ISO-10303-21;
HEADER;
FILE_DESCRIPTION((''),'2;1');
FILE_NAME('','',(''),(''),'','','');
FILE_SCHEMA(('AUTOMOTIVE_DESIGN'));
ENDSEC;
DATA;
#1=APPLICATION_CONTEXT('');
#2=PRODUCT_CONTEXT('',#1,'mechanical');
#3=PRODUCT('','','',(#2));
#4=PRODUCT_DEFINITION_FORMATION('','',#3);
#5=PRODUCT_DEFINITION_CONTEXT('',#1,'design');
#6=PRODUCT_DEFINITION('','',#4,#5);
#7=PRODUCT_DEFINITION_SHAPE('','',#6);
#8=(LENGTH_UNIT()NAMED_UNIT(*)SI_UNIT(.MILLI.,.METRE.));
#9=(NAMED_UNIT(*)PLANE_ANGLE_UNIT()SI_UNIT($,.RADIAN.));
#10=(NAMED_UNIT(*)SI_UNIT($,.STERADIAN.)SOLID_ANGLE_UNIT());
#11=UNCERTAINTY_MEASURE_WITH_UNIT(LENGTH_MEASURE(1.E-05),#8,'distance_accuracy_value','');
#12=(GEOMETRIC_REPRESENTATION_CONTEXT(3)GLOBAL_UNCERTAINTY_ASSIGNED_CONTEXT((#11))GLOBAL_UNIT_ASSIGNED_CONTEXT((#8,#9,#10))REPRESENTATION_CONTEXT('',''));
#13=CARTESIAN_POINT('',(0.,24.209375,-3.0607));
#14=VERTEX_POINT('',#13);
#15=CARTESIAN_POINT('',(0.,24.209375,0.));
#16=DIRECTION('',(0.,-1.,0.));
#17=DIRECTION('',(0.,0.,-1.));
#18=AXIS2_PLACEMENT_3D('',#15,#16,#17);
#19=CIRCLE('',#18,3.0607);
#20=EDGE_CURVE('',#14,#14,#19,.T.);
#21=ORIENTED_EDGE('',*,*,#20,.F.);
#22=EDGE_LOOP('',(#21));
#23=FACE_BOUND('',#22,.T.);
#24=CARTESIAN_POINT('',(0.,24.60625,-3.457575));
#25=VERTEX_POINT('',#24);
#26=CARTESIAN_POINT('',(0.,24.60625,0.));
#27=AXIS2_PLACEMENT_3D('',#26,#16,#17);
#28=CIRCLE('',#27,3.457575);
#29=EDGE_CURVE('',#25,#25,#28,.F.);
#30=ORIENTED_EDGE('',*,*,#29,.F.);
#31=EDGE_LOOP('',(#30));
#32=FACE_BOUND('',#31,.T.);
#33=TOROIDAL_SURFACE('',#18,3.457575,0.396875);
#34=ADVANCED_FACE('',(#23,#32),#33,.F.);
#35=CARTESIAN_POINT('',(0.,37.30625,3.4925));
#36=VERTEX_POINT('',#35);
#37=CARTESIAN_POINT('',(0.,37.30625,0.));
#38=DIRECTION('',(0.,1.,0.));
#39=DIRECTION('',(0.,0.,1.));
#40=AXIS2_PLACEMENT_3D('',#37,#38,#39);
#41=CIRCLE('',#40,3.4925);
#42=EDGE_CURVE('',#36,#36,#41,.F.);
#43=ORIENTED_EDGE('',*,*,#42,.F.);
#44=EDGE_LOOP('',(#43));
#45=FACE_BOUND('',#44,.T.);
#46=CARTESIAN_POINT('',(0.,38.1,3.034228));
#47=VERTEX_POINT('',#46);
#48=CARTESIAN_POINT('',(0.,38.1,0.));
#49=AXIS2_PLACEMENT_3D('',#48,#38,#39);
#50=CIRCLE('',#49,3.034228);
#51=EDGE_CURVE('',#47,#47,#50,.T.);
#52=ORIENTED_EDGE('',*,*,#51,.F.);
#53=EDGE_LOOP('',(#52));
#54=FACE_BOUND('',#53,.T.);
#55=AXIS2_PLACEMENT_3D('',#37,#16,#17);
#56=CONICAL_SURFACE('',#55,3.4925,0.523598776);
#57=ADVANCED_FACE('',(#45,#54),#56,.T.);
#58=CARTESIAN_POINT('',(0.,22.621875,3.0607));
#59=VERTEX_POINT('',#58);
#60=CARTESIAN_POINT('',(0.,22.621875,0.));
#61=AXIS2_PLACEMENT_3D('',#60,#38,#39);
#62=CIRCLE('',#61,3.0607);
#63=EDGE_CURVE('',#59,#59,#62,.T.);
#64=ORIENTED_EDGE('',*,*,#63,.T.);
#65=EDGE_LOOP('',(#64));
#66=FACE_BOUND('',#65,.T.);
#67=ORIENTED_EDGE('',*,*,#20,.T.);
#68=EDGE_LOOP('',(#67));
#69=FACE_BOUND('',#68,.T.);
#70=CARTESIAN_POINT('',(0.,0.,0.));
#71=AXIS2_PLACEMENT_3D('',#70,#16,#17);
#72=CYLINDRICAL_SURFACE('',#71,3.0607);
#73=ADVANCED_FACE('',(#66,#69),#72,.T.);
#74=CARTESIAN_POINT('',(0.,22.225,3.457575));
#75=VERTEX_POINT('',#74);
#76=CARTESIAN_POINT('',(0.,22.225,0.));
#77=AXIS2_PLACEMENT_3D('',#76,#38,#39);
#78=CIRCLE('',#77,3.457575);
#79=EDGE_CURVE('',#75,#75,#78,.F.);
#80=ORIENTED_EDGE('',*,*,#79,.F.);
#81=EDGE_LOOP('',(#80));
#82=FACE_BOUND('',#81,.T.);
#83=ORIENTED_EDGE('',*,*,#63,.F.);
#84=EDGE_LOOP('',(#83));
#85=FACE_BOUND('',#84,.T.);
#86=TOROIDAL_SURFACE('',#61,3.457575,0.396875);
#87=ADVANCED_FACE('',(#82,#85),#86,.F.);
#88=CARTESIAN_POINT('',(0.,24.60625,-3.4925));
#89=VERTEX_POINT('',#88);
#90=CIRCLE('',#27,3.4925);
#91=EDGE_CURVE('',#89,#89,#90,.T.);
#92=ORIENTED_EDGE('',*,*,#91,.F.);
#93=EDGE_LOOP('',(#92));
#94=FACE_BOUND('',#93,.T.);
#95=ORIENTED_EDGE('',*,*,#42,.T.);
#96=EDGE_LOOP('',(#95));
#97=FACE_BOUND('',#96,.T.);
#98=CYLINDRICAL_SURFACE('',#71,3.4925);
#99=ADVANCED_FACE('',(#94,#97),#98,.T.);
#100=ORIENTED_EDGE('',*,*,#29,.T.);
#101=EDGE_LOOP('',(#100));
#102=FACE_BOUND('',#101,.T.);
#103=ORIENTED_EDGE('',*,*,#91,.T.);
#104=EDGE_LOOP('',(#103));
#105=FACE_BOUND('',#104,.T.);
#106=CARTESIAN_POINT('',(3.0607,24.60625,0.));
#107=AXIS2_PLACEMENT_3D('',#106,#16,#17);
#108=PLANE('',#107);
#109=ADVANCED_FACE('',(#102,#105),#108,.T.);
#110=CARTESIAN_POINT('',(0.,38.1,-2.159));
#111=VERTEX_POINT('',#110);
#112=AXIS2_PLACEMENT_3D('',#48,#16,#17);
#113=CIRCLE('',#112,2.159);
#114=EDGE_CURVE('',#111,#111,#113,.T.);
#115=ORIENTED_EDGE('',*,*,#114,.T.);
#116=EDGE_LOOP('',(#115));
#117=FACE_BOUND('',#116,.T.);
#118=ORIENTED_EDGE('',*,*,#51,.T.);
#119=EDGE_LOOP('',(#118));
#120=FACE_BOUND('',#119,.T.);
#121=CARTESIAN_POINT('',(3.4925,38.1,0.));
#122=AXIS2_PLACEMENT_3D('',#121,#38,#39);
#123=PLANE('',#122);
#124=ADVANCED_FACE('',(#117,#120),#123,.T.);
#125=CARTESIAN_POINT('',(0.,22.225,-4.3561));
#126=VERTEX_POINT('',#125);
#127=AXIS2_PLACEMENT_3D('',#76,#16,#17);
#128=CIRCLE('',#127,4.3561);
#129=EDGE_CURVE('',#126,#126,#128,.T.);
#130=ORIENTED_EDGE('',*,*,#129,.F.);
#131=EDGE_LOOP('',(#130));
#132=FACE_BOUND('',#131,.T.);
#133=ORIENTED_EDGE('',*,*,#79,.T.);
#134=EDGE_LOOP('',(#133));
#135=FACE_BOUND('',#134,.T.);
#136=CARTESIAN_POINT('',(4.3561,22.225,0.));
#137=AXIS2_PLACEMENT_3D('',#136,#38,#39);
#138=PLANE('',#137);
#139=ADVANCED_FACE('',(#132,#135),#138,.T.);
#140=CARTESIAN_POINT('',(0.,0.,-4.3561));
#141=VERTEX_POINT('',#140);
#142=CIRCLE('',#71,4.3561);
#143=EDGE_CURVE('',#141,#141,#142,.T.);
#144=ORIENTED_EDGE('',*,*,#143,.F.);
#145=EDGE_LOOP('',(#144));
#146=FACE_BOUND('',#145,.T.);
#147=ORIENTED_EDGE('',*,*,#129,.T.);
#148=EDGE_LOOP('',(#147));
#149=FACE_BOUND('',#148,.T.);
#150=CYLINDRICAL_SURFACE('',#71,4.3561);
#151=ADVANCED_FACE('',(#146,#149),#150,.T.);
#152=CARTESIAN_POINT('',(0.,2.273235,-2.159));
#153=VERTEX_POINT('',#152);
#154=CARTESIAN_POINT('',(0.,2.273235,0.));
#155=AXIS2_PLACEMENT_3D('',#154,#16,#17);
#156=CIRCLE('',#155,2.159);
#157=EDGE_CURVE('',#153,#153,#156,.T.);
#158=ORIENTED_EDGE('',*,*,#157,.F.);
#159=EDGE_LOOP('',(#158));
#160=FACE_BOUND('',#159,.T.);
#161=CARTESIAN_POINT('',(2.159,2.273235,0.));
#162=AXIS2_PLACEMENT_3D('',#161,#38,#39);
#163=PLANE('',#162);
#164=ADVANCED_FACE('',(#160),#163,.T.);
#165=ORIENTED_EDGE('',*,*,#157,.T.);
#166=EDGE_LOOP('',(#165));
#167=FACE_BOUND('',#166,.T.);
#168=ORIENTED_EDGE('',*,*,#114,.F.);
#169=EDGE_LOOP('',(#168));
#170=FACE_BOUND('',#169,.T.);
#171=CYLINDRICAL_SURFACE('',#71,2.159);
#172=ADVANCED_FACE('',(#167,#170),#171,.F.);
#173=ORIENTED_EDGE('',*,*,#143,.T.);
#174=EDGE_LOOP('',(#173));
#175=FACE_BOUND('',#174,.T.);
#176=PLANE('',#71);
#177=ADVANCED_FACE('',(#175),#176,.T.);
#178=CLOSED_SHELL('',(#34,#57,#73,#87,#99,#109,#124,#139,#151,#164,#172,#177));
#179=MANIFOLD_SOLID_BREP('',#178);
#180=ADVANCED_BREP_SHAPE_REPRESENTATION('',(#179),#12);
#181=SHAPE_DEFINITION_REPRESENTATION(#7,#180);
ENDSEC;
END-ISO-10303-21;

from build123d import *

# Parameters (mm, degrees)
CHAMFER1_SIZE  = 0.79375
CHAMFER1_SIZE2 = 0.458271776
FILLET1_R      = 0.396875


with BuildPart() as part:
    # Sketch1 → Revolve1 (revolve)
    with BuildSketch(Plane.XY):
        Polygon((0, 0), (4.3561, 0), (4.3561, 22.225), (3.0607, 22.225), (3.0607, 24.60625), (3.4925, 24.60625), (3.4925, 38.1), (2.159, 38.1), (2.159, 2.273235175), (0, 2.273235175), align=None)
    revolve(axis=Axis((0, 0, 0), (0, 1, 0)))

    # Chamfer1
    chamfer1_edges = [part.edges().sort_by_distance(p)[0] for p in [
        (-3.4925, 38.1, 0),
    ]]
    chamfer1_side = [part.faces().sort_by_distance(p)[0] for p in [
        (-3.4925, 31.353125, 0),
    ]]
    chamfer(chamfer1_edges, length=CHAMFER1_SIZE, length2=CHAMFER1_SIZE2, reference=chamfer1_side[0])

    # Fillet1
    fillet1_edges = [part.edges().sort_by_distance(p)[0] for p in [
        (-3.0607, 24.60625, 0),
        (-3.0607, 22.225, 0),
    ]]
    fillet(fillet1_edges, radius=FILLET1_R)


solid = part.part
